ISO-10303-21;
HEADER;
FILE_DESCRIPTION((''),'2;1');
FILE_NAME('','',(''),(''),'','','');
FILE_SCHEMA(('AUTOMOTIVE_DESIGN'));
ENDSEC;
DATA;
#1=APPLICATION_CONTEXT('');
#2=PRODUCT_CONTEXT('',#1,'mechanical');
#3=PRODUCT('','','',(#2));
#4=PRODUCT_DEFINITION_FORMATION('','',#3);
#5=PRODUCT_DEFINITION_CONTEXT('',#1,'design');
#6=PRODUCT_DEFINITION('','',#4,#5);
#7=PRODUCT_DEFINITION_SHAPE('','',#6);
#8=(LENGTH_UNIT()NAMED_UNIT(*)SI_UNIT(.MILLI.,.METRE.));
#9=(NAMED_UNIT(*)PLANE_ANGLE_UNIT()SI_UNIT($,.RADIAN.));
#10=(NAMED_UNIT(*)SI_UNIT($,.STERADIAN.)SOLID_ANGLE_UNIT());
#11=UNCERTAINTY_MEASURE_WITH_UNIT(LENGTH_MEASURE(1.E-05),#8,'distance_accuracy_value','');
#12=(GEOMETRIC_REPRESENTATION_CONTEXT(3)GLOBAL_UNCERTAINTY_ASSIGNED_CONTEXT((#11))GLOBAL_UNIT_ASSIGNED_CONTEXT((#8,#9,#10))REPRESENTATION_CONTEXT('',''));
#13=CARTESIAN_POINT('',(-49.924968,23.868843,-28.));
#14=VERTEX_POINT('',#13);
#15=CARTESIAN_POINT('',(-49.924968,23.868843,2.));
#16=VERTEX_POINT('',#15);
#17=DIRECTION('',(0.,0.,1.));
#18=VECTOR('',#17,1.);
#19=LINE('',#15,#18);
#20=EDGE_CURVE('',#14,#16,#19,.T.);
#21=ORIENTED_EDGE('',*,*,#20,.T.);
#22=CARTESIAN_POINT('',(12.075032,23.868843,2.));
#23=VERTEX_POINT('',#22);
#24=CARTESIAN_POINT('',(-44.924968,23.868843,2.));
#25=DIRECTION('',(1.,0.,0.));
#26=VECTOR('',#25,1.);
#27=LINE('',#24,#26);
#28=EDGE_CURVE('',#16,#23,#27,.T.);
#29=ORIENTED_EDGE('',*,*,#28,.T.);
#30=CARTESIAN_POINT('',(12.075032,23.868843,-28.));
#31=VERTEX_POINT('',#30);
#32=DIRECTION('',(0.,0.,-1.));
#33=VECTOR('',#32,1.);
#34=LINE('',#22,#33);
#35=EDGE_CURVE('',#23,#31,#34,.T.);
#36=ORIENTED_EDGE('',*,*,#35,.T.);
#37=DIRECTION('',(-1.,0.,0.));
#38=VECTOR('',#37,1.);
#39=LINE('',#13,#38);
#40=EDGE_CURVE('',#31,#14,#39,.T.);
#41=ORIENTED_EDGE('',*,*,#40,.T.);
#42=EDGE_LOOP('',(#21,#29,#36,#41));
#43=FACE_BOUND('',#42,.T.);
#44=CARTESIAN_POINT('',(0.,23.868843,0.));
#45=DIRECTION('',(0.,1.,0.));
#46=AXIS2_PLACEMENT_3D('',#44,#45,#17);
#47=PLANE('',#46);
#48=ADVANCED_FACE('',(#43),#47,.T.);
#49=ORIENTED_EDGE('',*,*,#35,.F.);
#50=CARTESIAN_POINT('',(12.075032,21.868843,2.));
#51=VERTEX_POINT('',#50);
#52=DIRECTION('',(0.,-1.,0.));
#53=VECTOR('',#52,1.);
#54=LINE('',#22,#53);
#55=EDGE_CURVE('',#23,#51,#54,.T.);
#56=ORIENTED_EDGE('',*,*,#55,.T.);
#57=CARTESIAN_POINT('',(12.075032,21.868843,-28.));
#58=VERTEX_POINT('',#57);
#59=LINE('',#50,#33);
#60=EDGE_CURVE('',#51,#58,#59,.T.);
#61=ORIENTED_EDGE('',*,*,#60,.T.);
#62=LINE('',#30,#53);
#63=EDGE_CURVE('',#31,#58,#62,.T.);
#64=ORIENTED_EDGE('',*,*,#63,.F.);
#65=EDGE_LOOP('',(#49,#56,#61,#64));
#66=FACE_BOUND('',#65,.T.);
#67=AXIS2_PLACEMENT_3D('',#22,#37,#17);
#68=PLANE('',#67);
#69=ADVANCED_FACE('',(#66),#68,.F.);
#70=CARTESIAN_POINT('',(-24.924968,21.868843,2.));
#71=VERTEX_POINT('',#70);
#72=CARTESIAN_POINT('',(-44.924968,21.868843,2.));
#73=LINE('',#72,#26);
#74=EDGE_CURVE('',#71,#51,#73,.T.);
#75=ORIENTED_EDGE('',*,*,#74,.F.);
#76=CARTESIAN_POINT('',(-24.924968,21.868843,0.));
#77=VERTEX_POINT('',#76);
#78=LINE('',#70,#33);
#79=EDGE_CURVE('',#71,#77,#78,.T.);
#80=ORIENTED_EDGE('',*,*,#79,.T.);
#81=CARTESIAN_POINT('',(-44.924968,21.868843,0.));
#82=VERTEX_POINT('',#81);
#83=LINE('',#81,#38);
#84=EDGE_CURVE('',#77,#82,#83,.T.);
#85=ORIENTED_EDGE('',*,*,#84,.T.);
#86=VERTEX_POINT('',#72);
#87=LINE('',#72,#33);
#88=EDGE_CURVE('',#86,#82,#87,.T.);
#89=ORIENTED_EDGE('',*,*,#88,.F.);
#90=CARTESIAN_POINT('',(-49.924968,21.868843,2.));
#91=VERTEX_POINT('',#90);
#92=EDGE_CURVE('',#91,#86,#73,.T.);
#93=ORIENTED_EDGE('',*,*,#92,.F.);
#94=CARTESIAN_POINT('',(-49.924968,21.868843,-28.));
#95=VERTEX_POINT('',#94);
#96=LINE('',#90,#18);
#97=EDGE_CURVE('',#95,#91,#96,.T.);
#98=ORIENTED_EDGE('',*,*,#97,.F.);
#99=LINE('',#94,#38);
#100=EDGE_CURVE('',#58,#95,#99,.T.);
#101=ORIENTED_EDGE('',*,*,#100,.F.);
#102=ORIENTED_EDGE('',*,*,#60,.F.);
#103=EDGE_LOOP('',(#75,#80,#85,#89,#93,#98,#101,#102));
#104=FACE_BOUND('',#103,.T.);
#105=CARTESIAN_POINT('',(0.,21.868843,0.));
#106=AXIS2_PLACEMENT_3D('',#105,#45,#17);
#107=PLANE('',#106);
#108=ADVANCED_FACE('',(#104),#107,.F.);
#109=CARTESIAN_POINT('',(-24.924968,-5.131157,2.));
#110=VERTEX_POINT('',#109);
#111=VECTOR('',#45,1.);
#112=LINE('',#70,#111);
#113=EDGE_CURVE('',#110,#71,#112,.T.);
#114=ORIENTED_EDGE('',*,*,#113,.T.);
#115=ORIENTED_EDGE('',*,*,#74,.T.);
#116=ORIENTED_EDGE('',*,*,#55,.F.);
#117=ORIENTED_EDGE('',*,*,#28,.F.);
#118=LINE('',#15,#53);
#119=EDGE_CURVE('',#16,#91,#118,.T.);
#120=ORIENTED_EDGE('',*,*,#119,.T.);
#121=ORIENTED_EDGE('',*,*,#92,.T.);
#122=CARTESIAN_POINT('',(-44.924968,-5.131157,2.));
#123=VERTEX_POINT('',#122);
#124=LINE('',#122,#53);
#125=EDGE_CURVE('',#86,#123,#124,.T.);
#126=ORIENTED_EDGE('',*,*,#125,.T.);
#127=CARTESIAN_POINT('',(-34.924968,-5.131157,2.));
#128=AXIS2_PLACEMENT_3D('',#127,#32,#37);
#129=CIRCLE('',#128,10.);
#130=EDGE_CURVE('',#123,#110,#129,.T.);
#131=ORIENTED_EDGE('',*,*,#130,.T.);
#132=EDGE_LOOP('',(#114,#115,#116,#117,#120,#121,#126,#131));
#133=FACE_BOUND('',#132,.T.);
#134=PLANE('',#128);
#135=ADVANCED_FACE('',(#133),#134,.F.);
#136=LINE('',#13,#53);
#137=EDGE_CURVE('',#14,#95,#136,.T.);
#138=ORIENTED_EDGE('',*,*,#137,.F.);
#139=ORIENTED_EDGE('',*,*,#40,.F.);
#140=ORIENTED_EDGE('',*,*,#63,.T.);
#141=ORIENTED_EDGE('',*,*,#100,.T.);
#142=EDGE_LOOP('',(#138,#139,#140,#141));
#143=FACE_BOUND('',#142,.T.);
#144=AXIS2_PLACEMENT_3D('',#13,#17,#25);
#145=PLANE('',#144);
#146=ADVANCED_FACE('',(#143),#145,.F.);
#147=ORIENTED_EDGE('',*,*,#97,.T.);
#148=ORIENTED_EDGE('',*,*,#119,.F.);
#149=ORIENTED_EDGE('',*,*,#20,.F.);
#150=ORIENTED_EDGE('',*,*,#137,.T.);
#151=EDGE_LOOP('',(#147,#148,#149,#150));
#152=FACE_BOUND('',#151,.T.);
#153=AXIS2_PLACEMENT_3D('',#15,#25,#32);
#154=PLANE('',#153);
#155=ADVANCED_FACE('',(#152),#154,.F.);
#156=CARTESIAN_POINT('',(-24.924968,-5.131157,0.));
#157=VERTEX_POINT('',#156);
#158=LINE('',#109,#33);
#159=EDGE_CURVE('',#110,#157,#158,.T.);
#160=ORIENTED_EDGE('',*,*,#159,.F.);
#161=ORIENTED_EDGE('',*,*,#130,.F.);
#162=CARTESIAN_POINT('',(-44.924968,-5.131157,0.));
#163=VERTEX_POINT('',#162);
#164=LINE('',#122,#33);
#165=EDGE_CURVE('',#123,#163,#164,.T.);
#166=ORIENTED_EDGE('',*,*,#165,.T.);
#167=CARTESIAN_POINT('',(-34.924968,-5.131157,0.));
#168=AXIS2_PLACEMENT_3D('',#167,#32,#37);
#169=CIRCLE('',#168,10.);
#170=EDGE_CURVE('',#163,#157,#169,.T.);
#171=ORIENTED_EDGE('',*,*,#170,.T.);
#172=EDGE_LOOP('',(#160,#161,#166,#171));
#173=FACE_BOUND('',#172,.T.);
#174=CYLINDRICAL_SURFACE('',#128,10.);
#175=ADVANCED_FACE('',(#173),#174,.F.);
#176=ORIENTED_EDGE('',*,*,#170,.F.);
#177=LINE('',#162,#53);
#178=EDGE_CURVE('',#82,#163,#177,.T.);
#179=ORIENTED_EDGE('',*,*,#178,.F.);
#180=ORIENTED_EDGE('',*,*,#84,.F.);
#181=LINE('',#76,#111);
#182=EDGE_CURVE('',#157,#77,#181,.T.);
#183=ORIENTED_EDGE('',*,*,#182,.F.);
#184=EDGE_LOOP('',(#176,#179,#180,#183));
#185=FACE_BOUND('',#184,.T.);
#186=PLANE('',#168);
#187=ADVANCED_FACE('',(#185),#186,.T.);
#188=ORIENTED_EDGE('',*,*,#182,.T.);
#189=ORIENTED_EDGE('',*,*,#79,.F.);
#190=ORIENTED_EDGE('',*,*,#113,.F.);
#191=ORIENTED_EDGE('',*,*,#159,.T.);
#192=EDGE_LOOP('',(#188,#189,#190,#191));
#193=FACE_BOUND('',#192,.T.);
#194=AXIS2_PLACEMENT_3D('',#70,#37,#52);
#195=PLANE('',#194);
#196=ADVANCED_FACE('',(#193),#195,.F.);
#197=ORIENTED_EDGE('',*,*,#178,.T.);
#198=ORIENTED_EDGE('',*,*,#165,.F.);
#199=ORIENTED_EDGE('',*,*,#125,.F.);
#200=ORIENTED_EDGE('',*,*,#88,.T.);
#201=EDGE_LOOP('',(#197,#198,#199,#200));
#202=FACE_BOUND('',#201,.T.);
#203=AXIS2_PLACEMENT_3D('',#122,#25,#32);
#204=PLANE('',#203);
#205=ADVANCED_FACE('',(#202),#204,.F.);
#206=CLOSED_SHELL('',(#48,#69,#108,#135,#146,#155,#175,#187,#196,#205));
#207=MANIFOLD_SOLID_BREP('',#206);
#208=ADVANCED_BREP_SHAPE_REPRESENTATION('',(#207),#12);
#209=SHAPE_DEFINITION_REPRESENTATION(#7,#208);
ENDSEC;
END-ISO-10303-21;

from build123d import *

# Parameters (mm, degrees)
BOSS_EXTRUDE1_DEPTH = 2
BOSS_EXTRUDE2_DEPTH = 2


with BuildPart() as part:
    # Sketch2 → Boss-Extrude1 (new body)
    with BuildSketch(Plane.XY):
        with BuildLine():
            Line((-44.924968499, -5.131156509), (-44.924968499, 21.868843491))
            Line((-44.924968499, 21.868843491), (-24.924968499, 21.868843491))
            Line((-24.924968499, 21.868843491), (-24.924968499, -5.131156509))
            ThreePointArc((-24.924968499, -5.131156509), (-34.924968499, 4.868843491), (-44.924968499, -5.131156509))
        make_face()
    extrude(amount=BOSS_EXTRUDE1_DEPTH)

    # Sketch3 → Boss-Extrude2 (add)
    with BuildSketch(Plane(origin=(0, 21.868843491, 0), x_dir=(1, 0, 0), z_dir=(0, 1, 0))):
        Polygon((-44.924968499, -2), (-49.924968499, -2), (-49.924968499, 28), (12.075031501, 28), (12.075031501, -2), align=None)
    extrude(amount=BOSS_EXTRUDE2_DEPTH)


solid = part.part
